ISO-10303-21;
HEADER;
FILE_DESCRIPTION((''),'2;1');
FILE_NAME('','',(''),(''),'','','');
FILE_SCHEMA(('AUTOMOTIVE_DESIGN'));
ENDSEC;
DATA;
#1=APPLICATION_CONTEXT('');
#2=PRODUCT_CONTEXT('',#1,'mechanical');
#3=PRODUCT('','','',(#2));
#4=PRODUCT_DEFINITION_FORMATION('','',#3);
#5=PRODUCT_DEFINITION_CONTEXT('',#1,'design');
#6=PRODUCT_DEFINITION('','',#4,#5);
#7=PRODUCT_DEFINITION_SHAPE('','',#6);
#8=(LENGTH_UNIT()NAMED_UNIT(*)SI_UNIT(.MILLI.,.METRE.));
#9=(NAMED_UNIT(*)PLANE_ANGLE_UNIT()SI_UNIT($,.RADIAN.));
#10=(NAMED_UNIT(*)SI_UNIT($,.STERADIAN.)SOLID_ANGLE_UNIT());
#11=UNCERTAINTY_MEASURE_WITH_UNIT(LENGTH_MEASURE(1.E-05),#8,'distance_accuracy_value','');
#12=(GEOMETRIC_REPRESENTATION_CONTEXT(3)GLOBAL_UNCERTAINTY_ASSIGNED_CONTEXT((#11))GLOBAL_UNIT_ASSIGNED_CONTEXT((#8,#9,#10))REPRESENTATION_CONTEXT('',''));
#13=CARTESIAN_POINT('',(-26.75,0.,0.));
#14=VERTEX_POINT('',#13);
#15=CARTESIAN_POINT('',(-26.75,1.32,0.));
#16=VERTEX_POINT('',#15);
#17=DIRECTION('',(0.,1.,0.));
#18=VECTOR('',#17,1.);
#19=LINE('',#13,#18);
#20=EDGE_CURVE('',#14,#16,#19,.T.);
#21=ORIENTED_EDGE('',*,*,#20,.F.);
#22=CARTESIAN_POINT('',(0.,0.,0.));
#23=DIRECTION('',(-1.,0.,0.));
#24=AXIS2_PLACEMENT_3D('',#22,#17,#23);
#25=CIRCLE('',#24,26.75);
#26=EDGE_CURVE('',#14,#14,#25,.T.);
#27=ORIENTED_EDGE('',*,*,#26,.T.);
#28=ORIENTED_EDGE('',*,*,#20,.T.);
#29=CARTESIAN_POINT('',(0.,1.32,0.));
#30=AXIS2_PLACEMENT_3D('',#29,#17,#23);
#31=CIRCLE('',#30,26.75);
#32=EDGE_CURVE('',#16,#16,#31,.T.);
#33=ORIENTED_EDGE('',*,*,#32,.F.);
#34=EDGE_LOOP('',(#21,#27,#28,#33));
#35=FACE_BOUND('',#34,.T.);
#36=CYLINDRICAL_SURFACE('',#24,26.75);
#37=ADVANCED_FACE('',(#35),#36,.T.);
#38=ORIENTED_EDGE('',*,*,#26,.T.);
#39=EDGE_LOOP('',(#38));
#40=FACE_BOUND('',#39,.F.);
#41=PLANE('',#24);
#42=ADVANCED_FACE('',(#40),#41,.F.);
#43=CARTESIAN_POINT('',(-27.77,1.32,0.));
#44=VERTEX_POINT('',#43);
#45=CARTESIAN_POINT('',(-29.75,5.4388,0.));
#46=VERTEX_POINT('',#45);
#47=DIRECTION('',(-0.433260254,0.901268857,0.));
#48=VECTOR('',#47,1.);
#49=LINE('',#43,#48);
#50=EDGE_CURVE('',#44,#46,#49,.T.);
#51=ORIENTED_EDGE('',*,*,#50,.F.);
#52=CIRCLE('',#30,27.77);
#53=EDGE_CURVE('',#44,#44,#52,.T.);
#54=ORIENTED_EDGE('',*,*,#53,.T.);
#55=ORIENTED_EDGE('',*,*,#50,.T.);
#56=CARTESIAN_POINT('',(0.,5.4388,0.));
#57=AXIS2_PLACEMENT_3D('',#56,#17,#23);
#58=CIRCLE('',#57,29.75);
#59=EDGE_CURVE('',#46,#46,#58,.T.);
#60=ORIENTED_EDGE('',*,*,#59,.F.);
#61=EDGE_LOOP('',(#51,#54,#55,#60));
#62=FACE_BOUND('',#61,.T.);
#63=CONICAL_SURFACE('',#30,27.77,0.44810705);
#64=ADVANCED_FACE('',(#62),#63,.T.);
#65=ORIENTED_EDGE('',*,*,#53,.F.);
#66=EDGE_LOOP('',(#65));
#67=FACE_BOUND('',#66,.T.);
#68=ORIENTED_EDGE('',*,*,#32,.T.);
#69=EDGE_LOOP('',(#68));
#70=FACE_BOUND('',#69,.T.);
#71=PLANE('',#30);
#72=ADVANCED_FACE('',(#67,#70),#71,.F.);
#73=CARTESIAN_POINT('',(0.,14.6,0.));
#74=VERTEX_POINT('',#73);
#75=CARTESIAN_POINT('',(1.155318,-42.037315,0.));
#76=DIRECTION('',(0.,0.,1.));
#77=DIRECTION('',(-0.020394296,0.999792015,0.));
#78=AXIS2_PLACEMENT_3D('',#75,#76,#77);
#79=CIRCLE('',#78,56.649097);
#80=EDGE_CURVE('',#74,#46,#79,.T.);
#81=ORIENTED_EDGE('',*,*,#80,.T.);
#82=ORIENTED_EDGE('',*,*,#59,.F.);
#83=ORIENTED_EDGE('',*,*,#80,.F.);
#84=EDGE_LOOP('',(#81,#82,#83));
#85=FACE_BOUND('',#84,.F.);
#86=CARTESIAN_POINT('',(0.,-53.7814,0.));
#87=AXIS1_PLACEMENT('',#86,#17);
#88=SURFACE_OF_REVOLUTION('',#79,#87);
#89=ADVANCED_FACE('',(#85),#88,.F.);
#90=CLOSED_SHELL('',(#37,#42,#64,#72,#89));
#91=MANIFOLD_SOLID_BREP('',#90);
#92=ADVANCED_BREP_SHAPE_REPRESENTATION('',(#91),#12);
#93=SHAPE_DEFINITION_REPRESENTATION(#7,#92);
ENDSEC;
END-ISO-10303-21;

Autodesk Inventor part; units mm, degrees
ref_plane "YZ Plane" through (0, 0, 0) normal (1, 0, 0) x (0, 1, 0)
ref_plane "XZ Plane" through (0, 0, 0) normal (0, 1, 0) x (-1, 0, 0)
ref_plane "XY Plane" through (0, 0, 0) normal (0, 0, 1) x (1, 0, 0)
sketch "スケッチ3" plane through (0, 0, 0) normal (0, 0, 1) x (1, 0, 0)
  line L0 (0, 0) -> (0, 16.5989)
  line L1 (-26.75, 0) -> (26.75, 0)
  line L2 (0, 0) -> (-26.75, 0)
  line L3 (-26.75, 0) -> (-26.75, 1.32)
  line L4 (29.75, 1.32) -> (-29.75, 1.32)
  line L5 (-27.77, 1.32) -> (-29.75, 5.4388)
  line L6 (-29.75, 1.32) -> (-29.75, 14.6)
  line L7 (-29.75, 14.6) -> (0, 14.6)
  arc A0 (0, 14.6) -> (-29.75, 5.4388) centre (1.1553, -42.0372) ccw
  line L8 (0, -53.7814) -> (0, 28.4277)
  dimension "d7" = 53.5
  dimension "d8" = 59.5
  dimension "d10" = 4.57
  dimension "d11" = 14.6
revolve "回転1" add sketch "スケッチ3" angle 360 about axis through (0, -53.7814, 0) along (0, 1, 0) contours L1 L3 L4 L0 | L4 L5 A0 L0
properties part number "Microphone_iGOKU"
